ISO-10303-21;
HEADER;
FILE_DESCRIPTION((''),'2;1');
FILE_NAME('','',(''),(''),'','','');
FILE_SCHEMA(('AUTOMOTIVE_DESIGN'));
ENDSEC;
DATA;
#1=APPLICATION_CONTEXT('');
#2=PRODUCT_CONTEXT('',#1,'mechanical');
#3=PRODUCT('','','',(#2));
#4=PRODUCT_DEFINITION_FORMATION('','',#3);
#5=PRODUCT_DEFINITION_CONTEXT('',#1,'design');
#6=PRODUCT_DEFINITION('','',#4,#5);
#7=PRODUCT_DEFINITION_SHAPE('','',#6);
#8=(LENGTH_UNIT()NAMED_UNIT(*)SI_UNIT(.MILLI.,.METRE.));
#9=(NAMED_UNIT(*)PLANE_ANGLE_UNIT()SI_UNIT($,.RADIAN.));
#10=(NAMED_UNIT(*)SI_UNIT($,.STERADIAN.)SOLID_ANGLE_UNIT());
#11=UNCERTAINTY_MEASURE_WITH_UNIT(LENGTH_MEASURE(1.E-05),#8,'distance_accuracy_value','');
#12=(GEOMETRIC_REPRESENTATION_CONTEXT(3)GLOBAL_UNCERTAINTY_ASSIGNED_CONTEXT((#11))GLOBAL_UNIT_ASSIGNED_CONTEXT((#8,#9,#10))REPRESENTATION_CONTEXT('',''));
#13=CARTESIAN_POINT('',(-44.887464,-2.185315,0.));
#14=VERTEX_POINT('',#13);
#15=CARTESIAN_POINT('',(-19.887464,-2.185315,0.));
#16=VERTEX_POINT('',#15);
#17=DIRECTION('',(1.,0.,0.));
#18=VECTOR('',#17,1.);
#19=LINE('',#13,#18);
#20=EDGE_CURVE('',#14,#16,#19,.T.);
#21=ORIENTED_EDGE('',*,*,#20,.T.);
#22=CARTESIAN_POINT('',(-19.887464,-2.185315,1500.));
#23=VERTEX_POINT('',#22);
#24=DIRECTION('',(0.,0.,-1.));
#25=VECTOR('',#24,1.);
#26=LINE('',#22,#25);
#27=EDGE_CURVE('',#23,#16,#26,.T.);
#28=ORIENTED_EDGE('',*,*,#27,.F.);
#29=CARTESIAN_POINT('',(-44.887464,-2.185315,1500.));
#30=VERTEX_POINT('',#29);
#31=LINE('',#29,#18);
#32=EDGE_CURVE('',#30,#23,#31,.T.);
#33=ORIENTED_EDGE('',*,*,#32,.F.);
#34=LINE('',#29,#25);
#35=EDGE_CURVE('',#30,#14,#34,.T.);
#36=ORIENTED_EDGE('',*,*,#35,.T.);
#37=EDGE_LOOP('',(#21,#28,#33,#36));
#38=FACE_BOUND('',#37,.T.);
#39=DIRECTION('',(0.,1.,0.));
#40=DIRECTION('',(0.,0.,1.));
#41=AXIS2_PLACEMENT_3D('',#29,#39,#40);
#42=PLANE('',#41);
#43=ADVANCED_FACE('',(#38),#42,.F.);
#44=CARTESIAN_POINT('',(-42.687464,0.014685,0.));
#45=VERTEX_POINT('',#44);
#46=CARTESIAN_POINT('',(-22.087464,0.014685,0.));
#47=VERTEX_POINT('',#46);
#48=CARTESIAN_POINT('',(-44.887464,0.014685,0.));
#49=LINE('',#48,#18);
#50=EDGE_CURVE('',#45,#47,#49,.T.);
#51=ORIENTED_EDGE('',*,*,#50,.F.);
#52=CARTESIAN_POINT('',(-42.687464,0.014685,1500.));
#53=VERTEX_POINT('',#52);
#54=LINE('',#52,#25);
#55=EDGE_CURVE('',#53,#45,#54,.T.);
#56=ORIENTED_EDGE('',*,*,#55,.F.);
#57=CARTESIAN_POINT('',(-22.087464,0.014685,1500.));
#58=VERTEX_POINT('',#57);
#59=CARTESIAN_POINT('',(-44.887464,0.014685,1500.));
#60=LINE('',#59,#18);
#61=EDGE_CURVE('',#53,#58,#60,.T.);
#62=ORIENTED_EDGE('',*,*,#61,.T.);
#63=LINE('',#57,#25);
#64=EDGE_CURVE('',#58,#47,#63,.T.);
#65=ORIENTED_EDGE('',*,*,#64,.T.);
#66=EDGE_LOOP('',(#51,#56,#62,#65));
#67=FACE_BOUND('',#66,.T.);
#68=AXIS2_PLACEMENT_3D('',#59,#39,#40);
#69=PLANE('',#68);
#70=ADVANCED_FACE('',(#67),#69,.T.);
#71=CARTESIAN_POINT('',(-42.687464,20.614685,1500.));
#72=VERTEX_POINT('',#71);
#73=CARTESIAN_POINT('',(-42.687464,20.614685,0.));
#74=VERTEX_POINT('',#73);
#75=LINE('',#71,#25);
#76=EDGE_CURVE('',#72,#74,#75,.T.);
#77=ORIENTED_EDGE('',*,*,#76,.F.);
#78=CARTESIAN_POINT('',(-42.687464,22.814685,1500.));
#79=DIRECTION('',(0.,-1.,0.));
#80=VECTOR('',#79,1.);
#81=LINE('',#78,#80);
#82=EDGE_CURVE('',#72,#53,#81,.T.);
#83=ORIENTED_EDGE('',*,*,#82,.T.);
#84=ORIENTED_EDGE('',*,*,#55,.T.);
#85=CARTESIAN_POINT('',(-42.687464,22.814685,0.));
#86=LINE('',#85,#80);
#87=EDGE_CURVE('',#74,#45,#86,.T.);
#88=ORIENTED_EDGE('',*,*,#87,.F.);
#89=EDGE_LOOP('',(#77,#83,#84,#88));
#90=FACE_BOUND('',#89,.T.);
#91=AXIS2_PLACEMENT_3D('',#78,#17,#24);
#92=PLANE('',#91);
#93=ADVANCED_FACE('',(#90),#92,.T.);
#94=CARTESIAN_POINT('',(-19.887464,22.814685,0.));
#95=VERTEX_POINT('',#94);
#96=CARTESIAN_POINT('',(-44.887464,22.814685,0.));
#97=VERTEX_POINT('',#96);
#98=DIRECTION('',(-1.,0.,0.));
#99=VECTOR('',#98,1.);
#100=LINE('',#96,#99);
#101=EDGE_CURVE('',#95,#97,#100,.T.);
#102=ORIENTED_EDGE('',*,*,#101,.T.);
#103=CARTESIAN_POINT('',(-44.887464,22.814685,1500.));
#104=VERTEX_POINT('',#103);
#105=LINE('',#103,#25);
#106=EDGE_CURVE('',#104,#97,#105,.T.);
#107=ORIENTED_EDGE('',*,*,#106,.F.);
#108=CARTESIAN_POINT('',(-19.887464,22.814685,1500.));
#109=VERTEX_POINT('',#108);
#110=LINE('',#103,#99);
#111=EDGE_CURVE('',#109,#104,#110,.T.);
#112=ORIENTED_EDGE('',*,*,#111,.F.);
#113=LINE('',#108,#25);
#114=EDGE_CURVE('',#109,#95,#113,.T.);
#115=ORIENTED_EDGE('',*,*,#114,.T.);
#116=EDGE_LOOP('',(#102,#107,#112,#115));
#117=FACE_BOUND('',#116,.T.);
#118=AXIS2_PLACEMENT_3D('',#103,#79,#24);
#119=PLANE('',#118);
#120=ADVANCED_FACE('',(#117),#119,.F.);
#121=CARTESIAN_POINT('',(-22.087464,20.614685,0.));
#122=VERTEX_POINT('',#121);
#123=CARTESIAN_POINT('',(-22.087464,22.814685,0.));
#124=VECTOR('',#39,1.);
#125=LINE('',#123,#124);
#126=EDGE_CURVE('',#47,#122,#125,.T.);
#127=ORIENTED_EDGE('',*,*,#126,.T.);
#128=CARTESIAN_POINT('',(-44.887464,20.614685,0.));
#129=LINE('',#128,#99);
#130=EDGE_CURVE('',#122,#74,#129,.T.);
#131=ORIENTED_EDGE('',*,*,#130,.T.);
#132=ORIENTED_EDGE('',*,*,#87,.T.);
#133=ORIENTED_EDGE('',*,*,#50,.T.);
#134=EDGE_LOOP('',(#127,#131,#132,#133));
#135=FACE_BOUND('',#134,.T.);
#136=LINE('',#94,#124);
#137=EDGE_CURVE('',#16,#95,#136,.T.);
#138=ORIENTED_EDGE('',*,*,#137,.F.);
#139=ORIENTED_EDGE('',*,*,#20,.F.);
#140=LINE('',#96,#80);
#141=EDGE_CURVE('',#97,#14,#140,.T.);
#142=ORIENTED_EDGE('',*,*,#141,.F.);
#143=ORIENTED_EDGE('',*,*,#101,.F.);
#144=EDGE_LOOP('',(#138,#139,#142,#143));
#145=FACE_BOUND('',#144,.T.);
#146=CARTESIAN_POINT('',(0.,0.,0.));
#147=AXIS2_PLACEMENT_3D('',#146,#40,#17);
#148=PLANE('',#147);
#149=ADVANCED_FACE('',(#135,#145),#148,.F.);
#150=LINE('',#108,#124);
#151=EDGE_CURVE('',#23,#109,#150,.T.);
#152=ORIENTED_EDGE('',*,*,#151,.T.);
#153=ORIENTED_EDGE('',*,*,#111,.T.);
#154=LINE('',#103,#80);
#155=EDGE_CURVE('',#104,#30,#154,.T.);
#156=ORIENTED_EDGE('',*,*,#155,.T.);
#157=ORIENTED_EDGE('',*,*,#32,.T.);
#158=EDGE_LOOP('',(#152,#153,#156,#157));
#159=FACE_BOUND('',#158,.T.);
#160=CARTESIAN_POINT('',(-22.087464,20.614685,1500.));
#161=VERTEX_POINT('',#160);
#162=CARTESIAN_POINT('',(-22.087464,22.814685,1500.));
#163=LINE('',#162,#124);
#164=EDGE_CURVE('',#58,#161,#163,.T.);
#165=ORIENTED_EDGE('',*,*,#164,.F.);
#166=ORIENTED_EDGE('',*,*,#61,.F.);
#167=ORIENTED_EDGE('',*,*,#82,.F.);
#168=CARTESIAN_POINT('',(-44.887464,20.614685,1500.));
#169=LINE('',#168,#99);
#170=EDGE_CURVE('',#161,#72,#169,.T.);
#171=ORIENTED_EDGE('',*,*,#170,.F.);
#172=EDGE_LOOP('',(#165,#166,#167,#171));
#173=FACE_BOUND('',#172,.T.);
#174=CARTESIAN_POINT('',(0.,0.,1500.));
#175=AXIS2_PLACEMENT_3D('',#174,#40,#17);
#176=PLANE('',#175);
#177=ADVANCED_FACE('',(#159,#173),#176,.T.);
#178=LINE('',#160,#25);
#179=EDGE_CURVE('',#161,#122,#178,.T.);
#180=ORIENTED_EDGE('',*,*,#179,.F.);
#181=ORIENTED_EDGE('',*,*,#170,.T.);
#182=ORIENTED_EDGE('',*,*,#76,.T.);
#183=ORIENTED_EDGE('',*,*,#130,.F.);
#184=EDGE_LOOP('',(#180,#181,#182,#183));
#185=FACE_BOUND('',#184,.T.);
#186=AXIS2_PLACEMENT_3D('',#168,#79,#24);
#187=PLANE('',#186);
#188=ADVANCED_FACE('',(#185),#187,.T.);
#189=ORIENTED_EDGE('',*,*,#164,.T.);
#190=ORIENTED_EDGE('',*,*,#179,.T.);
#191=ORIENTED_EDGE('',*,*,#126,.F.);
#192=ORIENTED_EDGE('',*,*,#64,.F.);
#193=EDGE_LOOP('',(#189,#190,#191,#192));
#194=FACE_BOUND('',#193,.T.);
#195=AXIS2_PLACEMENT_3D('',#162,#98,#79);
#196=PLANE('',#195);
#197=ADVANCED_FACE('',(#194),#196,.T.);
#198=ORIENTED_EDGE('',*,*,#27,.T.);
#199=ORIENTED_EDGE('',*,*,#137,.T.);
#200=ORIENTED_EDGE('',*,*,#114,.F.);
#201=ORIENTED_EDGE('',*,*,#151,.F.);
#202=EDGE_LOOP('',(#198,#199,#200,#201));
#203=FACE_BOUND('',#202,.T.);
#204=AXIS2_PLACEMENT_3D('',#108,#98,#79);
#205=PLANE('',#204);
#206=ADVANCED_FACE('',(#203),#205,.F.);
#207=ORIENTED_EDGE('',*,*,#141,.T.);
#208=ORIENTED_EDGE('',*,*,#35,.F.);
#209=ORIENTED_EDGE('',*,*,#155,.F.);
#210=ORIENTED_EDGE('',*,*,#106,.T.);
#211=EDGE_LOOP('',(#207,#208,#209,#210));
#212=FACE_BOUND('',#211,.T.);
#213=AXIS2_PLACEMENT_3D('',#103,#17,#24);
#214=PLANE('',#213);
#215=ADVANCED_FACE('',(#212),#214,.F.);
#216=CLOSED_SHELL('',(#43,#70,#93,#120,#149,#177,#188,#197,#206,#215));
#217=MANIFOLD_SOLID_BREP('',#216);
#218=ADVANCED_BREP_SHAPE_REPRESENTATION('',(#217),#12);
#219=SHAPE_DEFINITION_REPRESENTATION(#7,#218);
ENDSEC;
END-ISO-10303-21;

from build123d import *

# Parameters (mm, degrees)
SKETCH_1_W      = 25
SKETCH_1_H      = 25
SKETCH_1_W_2    = 20.6
SKETCH_1_H_2    = 20.6
EXTRUDE_1_DEPTH = 1500


with BuildPart() as part:
    # Эскиз1 → Вытянуть-Тонкостенный1 (new body)
    with BuildSketch(Plane.XY):
        with Locations((-32.387463795, 10.314685315)):
            Rectangle(SKETCH_1_W, SKETCH_1_H)
        with Locations((-32.387463795, 10.314685315)):
            Rectangle(SKETCH_1_W_2, SKETCH_1_H_2, mode=Mode.SUBTRACT)
    extrude(amount=EXTRUDE_1_DEPTH)


solid = part.part
